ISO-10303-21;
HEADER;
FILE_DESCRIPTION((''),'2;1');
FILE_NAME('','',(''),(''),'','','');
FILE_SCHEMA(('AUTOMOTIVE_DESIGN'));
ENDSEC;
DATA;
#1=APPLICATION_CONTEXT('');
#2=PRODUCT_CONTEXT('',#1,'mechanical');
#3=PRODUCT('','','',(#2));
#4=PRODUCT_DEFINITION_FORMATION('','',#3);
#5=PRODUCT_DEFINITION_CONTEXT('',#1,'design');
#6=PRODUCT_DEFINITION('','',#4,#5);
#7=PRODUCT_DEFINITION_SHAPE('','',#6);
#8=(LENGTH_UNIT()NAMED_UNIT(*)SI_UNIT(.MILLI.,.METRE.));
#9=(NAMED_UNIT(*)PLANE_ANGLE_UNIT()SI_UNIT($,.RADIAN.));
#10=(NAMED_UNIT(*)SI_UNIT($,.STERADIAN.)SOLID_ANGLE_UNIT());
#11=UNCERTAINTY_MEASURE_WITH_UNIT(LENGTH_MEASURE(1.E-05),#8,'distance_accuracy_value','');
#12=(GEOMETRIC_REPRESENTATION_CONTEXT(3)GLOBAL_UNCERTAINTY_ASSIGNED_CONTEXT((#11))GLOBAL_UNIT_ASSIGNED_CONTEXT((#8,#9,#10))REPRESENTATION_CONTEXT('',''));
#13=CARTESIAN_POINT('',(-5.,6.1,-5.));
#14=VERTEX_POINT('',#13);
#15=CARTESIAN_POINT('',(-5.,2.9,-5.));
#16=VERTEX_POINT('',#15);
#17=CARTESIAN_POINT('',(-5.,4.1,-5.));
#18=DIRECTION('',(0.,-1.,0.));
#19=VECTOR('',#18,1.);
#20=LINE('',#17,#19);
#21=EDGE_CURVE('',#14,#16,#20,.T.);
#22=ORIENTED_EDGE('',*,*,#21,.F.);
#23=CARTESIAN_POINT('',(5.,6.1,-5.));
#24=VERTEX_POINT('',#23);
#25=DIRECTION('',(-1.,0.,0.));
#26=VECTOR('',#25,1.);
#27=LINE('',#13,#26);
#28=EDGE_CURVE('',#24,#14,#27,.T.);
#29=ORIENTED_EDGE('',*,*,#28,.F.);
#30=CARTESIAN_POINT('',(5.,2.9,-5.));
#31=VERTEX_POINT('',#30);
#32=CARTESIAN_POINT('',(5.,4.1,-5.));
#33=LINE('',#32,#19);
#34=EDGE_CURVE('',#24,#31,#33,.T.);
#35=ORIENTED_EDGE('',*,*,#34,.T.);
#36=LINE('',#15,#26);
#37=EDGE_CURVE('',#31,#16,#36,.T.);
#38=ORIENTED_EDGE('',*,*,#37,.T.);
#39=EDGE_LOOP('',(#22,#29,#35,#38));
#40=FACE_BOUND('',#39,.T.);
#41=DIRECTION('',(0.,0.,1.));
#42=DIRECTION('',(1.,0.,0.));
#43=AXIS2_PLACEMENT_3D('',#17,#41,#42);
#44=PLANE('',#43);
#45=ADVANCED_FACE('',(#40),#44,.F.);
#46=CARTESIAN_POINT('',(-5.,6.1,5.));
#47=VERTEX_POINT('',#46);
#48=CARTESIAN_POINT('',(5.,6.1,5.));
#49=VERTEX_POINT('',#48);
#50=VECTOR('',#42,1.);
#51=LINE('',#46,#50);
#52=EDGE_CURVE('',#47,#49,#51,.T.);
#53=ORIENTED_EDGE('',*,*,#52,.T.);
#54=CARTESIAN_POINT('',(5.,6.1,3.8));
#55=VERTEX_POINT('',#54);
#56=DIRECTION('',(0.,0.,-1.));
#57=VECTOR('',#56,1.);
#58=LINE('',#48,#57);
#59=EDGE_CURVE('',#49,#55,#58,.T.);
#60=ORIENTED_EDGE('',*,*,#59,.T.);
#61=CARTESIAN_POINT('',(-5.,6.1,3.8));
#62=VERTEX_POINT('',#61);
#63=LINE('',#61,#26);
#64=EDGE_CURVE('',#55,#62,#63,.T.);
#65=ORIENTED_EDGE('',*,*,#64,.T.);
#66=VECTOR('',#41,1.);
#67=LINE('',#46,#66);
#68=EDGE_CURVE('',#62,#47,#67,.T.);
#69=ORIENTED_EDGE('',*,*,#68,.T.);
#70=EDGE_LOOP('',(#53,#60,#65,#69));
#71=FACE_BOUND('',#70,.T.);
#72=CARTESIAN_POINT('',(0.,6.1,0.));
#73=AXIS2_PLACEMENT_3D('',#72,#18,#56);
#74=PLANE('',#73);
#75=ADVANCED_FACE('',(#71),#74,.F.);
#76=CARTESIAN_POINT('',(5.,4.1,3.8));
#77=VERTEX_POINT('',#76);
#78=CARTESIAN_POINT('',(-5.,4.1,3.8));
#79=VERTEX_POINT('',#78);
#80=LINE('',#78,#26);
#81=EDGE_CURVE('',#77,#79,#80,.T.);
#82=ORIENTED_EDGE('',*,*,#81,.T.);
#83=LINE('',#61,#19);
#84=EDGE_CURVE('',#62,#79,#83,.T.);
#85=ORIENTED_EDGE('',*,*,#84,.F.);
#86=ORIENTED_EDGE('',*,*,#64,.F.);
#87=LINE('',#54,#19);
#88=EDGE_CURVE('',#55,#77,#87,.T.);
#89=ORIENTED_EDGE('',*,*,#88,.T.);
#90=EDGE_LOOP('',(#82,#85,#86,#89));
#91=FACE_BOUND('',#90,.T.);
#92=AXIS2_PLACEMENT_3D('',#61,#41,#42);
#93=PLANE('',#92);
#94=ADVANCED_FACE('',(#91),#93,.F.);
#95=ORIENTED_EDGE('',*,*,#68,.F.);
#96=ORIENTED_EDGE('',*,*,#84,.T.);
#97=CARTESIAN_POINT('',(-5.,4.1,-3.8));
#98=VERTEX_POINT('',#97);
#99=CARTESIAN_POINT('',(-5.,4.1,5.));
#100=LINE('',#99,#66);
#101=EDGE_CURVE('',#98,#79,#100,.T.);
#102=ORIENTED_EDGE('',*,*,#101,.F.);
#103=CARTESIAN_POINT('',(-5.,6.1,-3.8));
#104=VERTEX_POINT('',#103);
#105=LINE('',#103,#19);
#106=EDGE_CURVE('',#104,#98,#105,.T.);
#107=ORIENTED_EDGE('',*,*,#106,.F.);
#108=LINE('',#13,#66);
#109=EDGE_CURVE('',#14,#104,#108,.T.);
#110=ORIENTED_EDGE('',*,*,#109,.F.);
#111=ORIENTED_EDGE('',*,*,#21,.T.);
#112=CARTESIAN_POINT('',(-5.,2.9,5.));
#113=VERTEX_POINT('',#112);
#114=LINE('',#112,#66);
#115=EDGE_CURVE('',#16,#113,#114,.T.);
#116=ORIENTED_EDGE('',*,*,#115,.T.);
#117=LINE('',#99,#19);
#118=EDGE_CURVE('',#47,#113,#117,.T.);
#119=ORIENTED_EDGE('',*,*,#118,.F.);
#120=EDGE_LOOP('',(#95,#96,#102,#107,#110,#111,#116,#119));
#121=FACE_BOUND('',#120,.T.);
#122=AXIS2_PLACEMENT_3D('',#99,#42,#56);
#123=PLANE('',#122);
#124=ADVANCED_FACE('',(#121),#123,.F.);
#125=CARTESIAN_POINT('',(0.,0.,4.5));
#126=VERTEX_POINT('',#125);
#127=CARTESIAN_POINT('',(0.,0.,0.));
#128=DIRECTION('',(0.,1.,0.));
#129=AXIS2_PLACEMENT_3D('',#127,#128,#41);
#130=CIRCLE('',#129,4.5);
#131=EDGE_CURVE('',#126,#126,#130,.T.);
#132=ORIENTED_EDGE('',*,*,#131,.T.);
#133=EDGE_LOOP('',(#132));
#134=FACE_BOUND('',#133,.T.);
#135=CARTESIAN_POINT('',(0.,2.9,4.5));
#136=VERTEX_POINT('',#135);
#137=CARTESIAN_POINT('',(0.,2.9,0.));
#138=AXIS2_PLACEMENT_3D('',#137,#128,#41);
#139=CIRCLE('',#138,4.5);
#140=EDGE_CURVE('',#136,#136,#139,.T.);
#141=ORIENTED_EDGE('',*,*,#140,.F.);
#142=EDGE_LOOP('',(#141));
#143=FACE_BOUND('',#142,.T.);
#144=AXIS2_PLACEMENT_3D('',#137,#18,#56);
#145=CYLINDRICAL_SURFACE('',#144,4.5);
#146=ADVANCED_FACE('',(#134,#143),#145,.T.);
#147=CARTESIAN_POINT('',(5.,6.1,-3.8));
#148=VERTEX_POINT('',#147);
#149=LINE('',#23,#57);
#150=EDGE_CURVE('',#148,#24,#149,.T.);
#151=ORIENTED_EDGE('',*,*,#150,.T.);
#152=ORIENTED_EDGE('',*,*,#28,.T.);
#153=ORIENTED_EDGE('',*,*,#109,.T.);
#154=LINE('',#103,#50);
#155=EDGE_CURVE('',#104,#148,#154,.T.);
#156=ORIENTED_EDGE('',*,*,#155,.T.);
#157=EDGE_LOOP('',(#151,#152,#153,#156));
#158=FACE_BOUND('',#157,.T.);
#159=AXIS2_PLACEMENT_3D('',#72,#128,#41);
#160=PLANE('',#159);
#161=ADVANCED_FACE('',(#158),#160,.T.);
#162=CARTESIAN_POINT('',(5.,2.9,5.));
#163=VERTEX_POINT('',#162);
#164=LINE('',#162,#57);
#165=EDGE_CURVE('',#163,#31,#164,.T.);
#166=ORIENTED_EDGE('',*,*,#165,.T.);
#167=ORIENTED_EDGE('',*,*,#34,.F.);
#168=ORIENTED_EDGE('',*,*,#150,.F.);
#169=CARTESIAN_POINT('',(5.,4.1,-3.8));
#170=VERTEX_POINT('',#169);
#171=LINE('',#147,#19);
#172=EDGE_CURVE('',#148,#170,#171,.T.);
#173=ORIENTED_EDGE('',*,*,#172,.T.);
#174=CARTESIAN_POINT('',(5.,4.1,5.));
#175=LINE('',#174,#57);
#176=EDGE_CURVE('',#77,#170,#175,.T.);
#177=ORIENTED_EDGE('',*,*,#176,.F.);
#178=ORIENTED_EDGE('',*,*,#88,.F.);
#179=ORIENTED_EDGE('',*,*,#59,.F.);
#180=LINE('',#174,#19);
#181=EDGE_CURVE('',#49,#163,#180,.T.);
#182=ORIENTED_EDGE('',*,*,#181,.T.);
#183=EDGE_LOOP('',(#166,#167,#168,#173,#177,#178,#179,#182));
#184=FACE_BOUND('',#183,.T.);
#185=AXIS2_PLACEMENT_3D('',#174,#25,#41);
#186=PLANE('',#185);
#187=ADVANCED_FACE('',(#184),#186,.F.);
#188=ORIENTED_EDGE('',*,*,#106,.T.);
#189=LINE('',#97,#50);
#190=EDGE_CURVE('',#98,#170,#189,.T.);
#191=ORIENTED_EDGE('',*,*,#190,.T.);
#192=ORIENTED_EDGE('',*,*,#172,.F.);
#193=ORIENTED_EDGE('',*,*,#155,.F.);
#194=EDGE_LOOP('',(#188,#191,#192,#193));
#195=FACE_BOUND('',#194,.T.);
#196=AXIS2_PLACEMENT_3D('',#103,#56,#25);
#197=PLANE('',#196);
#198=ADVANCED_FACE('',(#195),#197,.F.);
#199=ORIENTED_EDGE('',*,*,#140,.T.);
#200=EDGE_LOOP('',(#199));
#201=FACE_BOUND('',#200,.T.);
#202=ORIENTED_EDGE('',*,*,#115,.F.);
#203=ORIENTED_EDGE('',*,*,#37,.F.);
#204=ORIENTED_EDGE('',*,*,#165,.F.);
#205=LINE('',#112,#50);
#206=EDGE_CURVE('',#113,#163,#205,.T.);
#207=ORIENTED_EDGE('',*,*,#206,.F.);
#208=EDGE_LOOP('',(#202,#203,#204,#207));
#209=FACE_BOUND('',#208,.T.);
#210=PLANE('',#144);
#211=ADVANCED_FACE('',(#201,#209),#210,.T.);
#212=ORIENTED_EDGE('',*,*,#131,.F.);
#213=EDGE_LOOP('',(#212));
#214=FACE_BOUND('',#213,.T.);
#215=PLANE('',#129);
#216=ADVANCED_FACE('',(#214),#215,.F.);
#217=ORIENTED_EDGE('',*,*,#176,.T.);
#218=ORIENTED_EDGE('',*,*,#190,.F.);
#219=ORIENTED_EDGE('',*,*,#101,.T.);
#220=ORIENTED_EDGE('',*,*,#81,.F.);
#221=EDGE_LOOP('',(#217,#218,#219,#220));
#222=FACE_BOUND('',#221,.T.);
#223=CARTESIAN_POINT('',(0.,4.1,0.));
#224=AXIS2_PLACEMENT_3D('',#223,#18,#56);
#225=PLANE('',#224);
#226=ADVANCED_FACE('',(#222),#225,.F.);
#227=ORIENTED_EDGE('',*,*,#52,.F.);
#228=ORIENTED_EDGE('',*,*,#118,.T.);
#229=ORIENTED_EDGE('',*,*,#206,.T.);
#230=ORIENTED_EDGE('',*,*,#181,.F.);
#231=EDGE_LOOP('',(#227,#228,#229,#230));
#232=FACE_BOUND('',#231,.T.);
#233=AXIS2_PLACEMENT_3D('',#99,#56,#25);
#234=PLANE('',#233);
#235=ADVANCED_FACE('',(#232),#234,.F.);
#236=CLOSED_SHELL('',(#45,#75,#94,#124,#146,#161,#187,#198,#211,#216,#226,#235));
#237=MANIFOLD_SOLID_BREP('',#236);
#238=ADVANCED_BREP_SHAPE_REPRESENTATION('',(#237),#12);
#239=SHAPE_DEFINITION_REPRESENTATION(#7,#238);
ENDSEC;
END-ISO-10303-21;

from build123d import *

# Parameters (mm, degrees)
ESQUISSE1_R        = 4.5
BOSS_EXTRU_1_DEPTH = 2.9
ESQUISSE2_W        = 10
ESQUISSE2_H        = 10
BOSS_EXTRU_2_DEPTH = 1.2
ESQUISSE3_W        = 10
ESQUISSE3_H        = 1.2
BOSS_EXTRU_3_DEPTH = 2


with BuildPart() as part:
    # Esquisse1 → Boss.-Extru.1 (new body)
    with BuildSketch(Plane(origin=(0, 0, 0), x_dir=(1, 0, 0), z_dir=(0, 1, 0))):
        with Locations(Location((0, 0, 0), (0, 0, 270))):
            Circle(ESQUISSE1_R)
    extrude(amount=BOSS_EXTRU_1_DEPTH)

    # Esquisse2 → Boss.-Extru.2 (add)
    with BuildSketch(Plane(origin=(0, 2.9, 0), x_dir=(1, 0, 0), z_dir=(0, 1, 0))):
        Rectangle(ESQUISSE2_W, ESQUISSE2_H)
    extrude(amount=BOSS_EXTRU_2_DEPTH)

    # Esquisse3 → Boss.-Extru.3 (add)
    with BuildSketch(Plane(origin=(0, 4.1, 0), x_dir=(1, 0, 0), z_dir=(0, 1, 0))):
        with Locations((0, 4.4)):
            Rectangle(ESQUISSE3_W, ESQUISSE3_H)
        with Locations((0, -4.4)):
            Rectangle(ESQUISSE3_W, ESQUISSE3_H)
    extrude(amount=BOSS_EXTRU_3_DEPTH)


solid = part.part
